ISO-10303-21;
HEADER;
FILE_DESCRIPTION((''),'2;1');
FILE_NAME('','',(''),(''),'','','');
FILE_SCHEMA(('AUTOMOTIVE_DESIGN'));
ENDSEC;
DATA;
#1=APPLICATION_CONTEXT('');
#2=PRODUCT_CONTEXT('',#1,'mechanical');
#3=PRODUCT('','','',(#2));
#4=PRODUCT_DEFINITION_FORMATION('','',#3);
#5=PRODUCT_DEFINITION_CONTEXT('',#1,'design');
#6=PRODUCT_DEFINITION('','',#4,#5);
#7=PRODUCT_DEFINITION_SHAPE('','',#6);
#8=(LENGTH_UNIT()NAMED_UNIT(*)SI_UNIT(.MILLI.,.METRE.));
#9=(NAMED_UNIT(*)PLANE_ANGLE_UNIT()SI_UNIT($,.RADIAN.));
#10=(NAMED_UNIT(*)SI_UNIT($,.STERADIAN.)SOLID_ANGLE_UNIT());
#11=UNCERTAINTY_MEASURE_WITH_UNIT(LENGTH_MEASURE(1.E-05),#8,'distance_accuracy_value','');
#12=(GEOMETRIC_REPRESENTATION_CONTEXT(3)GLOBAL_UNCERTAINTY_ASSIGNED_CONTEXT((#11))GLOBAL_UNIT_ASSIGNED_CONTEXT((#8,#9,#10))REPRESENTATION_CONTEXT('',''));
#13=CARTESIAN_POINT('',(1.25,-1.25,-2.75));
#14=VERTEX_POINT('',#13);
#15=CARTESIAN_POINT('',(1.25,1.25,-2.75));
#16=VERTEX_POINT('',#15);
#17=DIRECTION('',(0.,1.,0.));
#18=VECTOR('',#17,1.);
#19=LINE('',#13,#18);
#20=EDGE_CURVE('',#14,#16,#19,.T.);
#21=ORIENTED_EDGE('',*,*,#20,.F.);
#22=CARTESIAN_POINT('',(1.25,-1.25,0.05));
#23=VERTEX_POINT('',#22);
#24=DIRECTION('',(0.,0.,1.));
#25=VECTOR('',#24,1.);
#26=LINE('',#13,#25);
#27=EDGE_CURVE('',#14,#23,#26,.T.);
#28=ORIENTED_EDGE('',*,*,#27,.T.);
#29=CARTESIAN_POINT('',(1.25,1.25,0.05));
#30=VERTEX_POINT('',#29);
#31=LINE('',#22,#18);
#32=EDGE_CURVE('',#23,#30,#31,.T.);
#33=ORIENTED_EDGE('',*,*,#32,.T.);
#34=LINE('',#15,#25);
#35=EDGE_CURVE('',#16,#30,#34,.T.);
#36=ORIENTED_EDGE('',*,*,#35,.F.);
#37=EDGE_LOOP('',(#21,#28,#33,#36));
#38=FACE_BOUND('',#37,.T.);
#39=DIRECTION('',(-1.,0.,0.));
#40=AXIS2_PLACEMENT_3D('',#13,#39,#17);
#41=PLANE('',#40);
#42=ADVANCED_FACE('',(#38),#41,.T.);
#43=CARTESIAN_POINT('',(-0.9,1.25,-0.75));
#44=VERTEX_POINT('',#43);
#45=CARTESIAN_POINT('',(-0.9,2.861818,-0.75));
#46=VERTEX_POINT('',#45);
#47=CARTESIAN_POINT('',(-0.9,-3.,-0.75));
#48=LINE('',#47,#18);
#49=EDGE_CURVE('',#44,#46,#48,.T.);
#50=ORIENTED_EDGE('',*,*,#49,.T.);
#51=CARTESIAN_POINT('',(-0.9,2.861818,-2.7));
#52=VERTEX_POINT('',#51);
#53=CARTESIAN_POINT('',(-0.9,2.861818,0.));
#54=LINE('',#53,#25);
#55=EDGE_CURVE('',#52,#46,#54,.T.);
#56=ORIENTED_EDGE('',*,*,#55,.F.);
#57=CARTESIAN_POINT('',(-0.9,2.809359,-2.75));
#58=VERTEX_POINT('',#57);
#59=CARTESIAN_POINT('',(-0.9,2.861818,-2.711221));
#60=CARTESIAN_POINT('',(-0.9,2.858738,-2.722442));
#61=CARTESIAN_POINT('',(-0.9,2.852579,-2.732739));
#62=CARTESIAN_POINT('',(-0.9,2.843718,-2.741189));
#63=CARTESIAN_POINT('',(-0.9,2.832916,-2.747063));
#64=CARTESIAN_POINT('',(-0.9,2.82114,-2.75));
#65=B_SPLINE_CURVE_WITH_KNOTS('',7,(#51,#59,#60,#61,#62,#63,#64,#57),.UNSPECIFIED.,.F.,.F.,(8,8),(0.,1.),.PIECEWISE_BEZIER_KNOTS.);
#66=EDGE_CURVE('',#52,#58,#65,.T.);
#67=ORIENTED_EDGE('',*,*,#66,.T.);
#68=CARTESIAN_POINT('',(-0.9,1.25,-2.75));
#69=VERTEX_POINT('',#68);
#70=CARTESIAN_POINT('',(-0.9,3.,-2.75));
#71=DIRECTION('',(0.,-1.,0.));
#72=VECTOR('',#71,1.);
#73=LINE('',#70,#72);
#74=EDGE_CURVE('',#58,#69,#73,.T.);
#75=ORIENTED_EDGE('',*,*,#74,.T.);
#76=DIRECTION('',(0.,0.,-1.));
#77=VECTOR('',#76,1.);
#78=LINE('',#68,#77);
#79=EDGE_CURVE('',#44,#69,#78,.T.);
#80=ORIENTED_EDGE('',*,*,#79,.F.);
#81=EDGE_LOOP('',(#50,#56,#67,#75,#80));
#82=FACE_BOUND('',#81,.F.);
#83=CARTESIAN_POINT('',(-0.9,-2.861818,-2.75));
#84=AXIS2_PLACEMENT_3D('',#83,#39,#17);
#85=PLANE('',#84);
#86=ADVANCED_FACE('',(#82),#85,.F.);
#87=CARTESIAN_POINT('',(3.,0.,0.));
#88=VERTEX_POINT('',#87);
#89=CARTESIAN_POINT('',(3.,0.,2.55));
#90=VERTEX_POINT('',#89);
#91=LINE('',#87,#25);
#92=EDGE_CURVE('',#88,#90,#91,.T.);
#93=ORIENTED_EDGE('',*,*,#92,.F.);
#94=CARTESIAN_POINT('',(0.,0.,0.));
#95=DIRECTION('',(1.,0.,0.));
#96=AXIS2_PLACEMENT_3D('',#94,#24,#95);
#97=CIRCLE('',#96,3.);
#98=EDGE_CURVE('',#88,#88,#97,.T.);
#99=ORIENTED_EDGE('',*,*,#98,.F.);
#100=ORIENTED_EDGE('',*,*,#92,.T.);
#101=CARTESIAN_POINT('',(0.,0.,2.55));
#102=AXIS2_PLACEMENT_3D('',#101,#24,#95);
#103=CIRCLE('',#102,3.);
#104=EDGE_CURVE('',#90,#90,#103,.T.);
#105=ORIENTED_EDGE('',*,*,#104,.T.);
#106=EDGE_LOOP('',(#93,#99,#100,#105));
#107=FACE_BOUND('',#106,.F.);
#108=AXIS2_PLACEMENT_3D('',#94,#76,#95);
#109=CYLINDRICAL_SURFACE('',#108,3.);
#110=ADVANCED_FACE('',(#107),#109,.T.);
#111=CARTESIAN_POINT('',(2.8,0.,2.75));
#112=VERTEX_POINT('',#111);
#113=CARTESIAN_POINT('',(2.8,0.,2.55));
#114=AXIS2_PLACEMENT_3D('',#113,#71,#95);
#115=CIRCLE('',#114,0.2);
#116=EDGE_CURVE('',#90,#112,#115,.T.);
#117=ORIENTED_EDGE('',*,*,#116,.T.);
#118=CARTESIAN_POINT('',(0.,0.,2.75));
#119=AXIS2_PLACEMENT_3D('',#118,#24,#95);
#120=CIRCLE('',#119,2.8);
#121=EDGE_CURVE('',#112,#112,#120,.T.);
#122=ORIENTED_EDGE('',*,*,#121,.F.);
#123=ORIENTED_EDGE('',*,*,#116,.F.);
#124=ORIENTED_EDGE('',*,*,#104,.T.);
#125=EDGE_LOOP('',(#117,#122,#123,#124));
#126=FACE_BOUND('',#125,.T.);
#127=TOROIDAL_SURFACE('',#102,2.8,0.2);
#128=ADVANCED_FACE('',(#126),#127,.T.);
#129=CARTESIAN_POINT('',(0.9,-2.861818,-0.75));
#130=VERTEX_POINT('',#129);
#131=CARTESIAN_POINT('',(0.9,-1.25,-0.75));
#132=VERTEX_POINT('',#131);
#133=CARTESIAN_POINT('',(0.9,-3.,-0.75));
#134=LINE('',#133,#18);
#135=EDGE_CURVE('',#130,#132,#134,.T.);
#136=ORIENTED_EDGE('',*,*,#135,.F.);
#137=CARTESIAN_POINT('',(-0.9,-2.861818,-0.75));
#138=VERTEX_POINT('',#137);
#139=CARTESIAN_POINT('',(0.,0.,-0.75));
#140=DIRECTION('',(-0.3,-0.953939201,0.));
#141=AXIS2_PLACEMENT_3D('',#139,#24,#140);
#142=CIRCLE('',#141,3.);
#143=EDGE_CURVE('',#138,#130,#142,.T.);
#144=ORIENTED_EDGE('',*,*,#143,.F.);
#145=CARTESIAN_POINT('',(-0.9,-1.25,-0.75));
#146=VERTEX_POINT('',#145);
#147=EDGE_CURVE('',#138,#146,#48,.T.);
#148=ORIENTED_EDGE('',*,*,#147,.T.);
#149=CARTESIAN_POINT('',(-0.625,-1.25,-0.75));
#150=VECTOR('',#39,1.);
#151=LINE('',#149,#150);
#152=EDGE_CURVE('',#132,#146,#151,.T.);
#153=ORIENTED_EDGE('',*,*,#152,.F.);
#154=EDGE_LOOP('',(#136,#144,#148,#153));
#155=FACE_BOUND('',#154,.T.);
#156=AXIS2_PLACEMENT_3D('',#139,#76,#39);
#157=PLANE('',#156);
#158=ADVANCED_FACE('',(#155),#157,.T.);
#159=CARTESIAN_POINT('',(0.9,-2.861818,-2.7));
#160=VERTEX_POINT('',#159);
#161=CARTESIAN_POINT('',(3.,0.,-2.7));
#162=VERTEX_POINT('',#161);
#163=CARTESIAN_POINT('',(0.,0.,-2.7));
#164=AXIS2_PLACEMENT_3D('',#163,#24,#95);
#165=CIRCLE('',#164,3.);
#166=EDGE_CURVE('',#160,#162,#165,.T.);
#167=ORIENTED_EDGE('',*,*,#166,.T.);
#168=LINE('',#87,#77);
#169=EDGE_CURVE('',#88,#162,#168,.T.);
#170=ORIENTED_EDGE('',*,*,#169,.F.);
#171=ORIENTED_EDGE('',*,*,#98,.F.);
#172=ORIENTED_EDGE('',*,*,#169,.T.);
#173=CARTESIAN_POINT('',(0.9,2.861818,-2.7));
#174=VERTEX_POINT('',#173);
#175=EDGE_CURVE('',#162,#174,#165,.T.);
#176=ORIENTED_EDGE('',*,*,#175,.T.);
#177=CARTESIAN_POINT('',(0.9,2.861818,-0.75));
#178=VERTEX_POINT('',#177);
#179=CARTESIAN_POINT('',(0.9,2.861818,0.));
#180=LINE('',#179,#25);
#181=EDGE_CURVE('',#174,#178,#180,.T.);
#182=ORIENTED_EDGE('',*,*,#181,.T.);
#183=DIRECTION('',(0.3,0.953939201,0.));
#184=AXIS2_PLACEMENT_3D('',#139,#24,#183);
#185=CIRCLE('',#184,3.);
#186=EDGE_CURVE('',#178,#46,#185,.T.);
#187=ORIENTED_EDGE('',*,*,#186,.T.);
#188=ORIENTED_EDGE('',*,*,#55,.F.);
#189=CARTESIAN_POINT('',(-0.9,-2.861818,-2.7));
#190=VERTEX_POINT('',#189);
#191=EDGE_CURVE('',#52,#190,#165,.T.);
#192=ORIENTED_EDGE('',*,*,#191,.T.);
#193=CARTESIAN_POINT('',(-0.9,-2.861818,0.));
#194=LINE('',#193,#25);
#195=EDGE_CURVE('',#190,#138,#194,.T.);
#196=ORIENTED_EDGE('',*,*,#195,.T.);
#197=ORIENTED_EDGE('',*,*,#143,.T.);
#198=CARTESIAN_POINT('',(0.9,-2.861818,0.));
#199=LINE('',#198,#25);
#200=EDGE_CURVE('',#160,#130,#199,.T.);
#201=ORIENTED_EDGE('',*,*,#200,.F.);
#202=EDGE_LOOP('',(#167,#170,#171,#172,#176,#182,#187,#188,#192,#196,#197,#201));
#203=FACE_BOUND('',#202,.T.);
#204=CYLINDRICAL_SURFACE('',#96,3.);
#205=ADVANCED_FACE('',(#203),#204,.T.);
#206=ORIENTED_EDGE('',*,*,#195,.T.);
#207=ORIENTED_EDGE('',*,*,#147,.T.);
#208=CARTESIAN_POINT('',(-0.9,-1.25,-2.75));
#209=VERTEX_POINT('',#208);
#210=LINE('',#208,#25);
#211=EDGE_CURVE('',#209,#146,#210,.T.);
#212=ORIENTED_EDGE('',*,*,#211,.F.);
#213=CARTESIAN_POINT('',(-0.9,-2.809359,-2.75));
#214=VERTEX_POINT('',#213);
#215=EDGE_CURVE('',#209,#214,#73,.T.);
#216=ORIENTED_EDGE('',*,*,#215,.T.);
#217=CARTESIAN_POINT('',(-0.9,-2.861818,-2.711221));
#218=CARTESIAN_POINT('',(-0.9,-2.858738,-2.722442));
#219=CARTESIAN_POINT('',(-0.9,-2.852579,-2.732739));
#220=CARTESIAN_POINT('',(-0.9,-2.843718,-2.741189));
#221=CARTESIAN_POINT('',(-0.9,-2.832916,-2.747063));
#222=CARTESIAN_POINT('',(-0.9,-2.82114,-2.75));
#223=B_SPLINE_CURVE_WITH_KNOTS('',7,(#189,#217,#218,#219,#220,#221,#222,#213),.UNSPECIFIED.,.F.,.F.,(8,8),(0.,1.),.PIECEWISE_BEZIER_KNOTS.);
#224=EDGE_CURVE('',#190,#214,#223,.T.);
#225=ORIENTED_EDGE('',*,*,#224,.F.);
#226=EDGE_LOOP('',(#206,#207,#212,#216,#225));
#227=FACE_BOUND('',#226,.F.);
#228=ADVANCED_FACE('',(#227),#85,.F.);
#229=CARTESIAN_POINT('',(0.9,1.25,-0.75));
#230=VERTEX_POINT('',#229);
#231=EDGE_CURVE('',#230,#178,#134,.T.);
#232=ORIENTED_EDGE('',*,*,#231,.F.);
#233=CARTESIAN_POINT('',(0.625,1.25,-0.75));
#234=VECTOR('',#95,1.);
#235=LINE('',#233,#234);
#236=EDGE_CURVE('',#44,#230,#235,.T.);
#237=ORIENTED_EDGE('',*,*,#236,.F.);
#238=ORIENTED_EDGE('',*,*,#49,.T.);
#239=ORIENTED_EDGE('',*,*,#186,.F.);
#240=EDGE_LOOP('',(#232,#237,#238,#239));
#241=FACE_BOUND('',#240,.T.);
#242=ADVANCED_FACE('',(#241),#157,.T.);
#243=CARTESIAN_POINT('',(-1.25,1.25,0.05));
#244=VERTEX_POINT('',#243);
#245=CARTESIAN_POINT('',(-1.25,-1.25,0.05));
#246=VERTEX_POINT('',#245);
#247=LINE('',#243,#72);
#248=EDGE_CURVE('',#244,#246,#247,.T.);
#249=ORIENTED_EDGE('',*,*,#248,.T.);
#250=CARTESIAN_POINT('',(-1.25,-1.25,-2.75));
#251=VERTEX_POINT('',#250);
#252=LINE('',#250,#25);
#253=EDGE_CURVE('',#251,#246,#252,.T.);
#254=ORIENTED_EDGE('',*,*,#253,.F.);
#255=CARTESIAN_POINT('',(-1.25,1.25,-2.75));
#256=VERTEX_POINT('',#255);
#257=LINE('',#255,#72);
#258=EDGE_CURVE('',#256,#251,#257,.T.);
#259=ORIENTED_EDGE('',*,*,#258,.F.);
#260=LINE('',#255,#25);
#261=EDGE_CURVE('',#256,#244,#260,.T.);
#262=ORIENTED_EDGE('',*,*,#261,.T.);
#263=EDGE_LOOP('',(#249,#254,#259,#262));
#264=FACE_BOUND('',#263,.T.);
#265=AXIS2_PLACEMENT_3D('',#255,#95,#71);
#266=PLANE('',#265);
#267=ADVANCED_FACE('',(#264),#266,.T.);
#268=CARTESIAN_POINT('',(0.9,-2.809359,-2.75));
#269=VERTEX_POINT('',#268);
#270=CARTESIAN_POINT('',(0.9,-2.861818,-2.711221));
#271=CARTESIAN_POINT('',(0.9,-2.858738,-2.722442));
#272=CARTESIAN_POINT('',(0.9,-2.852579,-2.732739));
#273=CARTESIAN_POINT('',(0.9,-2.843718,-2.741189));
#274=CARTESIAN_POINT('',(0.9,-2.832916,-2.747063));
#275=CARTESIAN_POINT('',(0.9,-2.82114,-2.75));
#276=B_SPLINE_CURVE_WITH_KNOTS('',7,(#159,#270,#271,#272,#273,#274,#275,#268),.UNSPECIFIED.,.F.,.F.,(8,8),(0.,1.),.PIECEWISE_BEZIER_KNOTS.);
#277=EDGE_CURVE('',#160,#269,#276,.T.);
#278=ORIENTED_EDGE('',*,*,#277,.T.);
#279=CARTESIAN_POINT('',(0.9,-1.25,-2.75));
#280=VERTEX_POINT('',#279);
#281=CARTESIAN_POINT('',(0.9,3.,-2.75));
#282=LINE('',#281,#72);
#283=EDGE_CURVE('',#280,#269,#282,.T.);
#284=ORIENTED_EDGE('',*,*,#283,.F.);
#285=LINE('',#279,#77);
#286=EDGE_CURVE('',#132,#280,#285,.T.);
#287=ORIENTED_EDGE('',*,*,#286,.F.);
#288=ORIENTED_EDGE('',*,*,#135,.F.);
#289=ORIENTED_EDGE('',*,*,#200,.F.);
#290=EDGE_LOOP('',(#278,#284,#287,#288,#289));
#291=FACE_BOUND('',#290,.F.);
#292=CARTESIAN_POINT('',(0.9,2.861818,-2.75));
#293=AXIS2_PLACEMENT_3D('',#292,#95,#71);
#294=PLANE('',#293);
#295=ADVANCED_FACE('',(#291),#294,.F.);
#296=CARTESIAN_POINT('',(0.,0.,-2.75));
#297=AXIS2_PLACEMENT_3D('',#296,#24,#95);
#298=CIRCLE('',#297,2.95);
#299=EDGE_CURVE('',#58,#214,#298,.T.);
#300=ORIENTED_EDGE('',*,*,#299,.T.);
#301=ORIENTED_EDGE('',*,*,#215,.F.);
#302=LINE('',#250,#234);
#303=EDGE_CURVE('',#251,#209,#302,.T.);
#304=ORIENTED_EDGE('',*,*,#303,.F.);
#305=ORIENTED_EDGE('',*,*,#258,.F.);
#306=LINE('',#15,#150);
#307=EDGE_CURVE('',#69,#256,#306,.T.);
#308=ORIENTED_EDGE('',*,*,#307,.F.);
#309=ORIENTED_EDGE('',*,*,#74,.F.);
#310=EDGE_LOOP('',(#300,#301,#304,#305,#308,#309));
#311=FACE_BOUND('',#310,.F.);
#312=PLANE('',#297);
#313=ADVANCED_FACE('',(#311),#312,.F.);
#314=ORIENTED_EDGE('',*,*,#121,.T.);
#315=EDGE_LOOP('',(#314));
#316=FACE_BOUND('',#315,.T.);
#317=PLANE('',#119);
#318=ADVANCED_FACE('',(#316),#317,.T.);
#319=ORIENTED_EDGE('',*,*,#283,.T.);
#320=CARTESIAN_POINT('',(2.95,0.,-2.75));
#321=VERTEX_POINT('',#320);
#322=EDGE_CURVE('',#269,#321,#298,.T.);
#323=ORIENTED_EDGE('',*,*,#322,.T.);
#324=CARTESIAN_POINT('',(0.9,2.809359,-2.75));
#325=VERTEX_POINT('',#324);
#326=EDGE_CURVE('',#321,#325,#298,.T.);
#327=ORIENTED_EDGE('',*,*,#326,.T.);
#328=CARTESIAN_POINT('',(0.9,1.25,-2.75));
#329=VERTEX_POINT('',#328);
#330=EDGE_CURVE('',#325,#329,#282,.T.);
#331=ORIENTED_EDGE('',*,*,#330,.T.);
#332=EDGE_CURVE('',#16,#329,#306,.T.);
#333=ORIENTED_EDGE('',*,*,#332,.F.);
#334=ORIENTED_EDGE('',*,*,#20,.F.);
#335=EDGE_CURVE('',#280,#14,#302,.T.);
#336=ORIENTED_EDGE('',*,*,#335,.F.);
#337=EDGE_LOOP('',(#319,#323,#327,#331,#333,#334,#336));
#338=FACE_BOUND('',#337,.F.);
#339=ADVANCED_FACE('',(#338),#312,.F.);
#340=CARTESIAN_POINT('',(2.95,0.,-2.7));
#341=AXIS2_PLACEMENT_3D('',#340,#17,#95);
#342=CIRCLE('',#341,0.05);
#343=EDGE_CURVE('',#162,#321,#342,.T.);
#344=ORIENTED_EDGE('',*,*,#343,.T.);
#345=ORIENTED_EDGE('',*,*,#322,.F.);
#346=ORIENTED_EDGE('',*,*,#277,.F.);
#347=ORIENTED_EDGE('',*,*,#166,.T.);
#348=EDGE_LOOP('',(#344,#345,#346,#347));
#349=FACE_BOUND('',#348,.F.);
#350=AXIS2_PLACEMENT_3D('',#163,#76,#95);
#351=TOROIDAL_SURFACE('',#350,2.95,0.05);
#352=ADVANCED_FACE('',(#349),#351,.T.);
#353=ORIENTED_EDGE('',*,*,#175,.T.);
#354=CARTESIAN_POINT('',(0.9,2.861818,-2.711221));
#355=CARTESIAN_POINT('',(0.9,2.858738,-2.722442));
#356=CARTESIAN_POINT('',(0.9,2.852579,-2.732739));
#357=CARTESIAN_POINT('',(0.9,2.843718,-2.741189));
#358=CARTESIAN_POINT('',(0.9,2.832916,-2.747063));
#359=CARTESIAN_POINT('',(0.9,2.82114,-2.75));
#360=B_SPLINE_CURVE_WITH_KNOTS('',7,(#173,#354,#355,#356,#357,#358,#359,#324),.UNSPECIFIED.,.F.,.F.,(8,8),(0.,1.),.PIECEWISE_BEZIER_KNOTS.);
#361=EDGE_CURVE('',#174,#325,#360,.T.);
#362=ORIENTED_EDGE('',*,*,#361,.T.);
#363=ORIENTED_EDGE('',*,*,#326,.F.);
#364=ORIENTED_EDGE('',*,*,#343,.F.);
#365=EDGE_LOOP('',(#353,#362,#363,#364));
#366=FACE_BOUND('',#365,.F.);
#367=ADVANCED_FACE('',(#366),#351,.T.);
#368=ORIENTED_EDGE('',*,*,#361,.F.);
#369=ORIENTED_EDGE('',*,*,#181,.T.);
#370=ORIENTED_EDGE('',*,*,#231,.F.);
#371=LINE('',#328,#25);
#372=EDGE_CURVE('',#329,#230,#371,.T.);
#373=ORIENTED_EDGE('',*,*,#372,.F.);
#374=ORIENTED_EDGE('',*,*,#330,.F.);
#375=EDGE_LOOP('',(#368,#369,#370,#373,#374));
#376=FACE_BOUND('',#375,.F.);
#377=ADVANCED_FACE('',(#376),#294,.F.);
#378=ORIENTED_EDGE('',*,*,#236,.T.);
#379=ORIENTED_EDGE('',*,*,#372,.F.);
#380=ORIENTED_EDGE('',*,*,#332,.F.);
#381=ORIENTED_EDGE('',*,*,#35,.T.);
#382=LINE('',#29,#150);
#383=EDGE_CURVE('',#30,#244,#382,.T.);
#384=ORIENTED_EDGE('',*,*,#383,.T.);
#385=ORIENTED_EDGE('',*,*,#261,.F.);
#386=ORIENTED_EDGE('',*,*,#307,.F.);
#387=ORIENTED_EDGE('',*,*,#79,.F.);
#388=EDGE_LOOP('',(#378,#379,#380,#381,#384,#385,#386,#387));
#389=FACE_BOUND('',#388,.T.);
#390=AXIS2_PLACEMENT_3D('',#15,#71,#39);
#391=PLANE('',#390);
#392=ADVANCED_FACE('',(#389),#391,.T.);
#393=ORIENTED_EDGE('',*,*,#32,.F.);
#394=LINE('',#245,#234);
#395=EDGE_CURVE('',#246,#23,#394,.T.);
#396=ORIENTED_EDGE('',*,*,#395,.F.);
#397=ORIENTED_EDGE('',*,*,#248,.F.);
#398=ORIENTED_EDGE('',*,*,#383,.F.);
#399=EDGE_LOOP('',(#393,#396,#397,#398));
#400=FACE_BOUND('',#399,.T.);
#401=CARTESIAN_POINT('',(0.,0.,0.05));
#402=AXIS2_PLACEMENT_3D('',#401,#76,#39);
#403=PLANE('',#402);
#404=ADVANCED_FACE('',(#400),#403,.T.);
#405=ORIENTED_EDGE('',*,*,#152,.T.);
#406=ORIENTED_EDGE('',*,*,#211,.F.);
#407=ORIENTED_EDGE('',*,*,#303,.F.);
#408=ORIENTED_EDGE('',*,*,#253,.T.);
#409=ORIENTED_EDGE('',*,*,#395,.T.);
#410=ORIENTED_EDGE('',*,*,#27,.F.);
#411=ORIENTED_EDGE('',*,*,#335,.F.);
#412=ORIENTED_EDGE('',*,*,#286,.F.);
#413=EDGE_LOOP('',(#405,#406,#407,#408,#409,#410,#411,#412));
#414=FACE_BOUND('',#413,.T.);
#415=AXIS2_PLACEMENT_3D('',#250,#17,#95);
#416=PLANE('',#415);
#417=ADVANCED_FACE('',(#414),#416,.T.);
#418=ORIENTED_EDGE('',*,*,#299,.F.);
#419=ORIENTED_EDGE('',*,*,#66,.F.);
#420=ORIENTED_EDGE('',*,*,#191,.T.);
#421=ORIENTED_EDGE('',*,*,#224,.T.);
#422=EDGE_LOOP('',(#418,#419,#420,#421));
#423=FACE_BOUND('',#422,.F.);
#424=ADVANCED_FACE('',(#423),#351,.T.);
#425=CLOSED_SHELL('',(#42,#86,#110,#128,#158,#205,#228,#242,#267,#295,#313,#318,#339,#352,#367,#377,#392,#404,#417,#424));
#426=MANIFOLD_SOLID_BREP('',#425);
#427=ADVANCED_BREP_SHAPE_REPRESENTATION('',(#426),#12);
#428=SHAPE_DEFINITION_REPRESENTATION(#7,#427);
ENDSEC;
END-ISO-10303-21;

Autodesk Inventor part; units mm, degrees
ref_plane "YZ Plane" through (0, 0, 0) normal (1, 0, 0) x (0, 1, 0)
ref_plane "XZ Plane" through (0, 0, 0) normal (0, 1, 0) x (-1, 0, 0)
ref_plane "XY Plane" through (0, 0, 0) normal (0, 0, 1) x (1, 0, 0)
sketch "Sketch1" plane through (0, 0, 0) normal (0, 0, 1) x (1, 0, 0)
  circle A0 centre (0, 0) radius 3
  dimension "d0" = 6
extrude "Extrusion1" add sketch "Sketch1" along normal mid plane 5.5
fillet "Fillet1" radius 0.2 1 edges at (-3, 0, 2.75)
fillet "Fillet1" radius 0.05 1 edges at (-3, 0, -2.75)
sketch "Sketch2" plane through (0, 0, -2.75) normal (0, 0, -1) x (-1, 0, 0)
  line L0 (1.25, -1.25) -> (-1.25, -1.25)
  line L1 (-1.25, -1.25) -> (-1.25, 1.25)
  line L2 (-1.25, 1.25) -> (1.25, 1.25)
  line L3 (1.25, 1.25) -> (1.25, -1.25)
  line L4 (1.25, -1.25) -> (-1.25, 1.25) construction
  line L5 (-1.25, -1.25) -> (1.25, 1.25) construction
  point P0 (0, 0)
  dimension "d5" = 2.5
extrude "Extrusion2" cut sketch "Sketch2" against normal blind 2.8
sketch "Sketch3" plane through (0, 0, -2.75) normal (0, 0, -1) x (-1, 0, 0)
  circle A0 centre (0, 0) radius 3 projected
  line L0 (-0.9, -3) -> (0.9, -3)
  line L1 (0.9, -3) -> (0.9, 3)
  line L2 (0.9, 3) -> (-0.9, 3)
  line L3 (-0.9, 3) -> (-0.9, -3)
  point P0 (0, 3)
  dimension "d8" = 1.8
extrude "Extrusion3" cut sketch "Sketch3" against normal blind 2 contours L1 A0 L3 | A0 L2 L1 | L1 L0 A0 | A0 L3 L2 | L0 L3 A0
properties part number "48-0077" material "ABS Plastic"
